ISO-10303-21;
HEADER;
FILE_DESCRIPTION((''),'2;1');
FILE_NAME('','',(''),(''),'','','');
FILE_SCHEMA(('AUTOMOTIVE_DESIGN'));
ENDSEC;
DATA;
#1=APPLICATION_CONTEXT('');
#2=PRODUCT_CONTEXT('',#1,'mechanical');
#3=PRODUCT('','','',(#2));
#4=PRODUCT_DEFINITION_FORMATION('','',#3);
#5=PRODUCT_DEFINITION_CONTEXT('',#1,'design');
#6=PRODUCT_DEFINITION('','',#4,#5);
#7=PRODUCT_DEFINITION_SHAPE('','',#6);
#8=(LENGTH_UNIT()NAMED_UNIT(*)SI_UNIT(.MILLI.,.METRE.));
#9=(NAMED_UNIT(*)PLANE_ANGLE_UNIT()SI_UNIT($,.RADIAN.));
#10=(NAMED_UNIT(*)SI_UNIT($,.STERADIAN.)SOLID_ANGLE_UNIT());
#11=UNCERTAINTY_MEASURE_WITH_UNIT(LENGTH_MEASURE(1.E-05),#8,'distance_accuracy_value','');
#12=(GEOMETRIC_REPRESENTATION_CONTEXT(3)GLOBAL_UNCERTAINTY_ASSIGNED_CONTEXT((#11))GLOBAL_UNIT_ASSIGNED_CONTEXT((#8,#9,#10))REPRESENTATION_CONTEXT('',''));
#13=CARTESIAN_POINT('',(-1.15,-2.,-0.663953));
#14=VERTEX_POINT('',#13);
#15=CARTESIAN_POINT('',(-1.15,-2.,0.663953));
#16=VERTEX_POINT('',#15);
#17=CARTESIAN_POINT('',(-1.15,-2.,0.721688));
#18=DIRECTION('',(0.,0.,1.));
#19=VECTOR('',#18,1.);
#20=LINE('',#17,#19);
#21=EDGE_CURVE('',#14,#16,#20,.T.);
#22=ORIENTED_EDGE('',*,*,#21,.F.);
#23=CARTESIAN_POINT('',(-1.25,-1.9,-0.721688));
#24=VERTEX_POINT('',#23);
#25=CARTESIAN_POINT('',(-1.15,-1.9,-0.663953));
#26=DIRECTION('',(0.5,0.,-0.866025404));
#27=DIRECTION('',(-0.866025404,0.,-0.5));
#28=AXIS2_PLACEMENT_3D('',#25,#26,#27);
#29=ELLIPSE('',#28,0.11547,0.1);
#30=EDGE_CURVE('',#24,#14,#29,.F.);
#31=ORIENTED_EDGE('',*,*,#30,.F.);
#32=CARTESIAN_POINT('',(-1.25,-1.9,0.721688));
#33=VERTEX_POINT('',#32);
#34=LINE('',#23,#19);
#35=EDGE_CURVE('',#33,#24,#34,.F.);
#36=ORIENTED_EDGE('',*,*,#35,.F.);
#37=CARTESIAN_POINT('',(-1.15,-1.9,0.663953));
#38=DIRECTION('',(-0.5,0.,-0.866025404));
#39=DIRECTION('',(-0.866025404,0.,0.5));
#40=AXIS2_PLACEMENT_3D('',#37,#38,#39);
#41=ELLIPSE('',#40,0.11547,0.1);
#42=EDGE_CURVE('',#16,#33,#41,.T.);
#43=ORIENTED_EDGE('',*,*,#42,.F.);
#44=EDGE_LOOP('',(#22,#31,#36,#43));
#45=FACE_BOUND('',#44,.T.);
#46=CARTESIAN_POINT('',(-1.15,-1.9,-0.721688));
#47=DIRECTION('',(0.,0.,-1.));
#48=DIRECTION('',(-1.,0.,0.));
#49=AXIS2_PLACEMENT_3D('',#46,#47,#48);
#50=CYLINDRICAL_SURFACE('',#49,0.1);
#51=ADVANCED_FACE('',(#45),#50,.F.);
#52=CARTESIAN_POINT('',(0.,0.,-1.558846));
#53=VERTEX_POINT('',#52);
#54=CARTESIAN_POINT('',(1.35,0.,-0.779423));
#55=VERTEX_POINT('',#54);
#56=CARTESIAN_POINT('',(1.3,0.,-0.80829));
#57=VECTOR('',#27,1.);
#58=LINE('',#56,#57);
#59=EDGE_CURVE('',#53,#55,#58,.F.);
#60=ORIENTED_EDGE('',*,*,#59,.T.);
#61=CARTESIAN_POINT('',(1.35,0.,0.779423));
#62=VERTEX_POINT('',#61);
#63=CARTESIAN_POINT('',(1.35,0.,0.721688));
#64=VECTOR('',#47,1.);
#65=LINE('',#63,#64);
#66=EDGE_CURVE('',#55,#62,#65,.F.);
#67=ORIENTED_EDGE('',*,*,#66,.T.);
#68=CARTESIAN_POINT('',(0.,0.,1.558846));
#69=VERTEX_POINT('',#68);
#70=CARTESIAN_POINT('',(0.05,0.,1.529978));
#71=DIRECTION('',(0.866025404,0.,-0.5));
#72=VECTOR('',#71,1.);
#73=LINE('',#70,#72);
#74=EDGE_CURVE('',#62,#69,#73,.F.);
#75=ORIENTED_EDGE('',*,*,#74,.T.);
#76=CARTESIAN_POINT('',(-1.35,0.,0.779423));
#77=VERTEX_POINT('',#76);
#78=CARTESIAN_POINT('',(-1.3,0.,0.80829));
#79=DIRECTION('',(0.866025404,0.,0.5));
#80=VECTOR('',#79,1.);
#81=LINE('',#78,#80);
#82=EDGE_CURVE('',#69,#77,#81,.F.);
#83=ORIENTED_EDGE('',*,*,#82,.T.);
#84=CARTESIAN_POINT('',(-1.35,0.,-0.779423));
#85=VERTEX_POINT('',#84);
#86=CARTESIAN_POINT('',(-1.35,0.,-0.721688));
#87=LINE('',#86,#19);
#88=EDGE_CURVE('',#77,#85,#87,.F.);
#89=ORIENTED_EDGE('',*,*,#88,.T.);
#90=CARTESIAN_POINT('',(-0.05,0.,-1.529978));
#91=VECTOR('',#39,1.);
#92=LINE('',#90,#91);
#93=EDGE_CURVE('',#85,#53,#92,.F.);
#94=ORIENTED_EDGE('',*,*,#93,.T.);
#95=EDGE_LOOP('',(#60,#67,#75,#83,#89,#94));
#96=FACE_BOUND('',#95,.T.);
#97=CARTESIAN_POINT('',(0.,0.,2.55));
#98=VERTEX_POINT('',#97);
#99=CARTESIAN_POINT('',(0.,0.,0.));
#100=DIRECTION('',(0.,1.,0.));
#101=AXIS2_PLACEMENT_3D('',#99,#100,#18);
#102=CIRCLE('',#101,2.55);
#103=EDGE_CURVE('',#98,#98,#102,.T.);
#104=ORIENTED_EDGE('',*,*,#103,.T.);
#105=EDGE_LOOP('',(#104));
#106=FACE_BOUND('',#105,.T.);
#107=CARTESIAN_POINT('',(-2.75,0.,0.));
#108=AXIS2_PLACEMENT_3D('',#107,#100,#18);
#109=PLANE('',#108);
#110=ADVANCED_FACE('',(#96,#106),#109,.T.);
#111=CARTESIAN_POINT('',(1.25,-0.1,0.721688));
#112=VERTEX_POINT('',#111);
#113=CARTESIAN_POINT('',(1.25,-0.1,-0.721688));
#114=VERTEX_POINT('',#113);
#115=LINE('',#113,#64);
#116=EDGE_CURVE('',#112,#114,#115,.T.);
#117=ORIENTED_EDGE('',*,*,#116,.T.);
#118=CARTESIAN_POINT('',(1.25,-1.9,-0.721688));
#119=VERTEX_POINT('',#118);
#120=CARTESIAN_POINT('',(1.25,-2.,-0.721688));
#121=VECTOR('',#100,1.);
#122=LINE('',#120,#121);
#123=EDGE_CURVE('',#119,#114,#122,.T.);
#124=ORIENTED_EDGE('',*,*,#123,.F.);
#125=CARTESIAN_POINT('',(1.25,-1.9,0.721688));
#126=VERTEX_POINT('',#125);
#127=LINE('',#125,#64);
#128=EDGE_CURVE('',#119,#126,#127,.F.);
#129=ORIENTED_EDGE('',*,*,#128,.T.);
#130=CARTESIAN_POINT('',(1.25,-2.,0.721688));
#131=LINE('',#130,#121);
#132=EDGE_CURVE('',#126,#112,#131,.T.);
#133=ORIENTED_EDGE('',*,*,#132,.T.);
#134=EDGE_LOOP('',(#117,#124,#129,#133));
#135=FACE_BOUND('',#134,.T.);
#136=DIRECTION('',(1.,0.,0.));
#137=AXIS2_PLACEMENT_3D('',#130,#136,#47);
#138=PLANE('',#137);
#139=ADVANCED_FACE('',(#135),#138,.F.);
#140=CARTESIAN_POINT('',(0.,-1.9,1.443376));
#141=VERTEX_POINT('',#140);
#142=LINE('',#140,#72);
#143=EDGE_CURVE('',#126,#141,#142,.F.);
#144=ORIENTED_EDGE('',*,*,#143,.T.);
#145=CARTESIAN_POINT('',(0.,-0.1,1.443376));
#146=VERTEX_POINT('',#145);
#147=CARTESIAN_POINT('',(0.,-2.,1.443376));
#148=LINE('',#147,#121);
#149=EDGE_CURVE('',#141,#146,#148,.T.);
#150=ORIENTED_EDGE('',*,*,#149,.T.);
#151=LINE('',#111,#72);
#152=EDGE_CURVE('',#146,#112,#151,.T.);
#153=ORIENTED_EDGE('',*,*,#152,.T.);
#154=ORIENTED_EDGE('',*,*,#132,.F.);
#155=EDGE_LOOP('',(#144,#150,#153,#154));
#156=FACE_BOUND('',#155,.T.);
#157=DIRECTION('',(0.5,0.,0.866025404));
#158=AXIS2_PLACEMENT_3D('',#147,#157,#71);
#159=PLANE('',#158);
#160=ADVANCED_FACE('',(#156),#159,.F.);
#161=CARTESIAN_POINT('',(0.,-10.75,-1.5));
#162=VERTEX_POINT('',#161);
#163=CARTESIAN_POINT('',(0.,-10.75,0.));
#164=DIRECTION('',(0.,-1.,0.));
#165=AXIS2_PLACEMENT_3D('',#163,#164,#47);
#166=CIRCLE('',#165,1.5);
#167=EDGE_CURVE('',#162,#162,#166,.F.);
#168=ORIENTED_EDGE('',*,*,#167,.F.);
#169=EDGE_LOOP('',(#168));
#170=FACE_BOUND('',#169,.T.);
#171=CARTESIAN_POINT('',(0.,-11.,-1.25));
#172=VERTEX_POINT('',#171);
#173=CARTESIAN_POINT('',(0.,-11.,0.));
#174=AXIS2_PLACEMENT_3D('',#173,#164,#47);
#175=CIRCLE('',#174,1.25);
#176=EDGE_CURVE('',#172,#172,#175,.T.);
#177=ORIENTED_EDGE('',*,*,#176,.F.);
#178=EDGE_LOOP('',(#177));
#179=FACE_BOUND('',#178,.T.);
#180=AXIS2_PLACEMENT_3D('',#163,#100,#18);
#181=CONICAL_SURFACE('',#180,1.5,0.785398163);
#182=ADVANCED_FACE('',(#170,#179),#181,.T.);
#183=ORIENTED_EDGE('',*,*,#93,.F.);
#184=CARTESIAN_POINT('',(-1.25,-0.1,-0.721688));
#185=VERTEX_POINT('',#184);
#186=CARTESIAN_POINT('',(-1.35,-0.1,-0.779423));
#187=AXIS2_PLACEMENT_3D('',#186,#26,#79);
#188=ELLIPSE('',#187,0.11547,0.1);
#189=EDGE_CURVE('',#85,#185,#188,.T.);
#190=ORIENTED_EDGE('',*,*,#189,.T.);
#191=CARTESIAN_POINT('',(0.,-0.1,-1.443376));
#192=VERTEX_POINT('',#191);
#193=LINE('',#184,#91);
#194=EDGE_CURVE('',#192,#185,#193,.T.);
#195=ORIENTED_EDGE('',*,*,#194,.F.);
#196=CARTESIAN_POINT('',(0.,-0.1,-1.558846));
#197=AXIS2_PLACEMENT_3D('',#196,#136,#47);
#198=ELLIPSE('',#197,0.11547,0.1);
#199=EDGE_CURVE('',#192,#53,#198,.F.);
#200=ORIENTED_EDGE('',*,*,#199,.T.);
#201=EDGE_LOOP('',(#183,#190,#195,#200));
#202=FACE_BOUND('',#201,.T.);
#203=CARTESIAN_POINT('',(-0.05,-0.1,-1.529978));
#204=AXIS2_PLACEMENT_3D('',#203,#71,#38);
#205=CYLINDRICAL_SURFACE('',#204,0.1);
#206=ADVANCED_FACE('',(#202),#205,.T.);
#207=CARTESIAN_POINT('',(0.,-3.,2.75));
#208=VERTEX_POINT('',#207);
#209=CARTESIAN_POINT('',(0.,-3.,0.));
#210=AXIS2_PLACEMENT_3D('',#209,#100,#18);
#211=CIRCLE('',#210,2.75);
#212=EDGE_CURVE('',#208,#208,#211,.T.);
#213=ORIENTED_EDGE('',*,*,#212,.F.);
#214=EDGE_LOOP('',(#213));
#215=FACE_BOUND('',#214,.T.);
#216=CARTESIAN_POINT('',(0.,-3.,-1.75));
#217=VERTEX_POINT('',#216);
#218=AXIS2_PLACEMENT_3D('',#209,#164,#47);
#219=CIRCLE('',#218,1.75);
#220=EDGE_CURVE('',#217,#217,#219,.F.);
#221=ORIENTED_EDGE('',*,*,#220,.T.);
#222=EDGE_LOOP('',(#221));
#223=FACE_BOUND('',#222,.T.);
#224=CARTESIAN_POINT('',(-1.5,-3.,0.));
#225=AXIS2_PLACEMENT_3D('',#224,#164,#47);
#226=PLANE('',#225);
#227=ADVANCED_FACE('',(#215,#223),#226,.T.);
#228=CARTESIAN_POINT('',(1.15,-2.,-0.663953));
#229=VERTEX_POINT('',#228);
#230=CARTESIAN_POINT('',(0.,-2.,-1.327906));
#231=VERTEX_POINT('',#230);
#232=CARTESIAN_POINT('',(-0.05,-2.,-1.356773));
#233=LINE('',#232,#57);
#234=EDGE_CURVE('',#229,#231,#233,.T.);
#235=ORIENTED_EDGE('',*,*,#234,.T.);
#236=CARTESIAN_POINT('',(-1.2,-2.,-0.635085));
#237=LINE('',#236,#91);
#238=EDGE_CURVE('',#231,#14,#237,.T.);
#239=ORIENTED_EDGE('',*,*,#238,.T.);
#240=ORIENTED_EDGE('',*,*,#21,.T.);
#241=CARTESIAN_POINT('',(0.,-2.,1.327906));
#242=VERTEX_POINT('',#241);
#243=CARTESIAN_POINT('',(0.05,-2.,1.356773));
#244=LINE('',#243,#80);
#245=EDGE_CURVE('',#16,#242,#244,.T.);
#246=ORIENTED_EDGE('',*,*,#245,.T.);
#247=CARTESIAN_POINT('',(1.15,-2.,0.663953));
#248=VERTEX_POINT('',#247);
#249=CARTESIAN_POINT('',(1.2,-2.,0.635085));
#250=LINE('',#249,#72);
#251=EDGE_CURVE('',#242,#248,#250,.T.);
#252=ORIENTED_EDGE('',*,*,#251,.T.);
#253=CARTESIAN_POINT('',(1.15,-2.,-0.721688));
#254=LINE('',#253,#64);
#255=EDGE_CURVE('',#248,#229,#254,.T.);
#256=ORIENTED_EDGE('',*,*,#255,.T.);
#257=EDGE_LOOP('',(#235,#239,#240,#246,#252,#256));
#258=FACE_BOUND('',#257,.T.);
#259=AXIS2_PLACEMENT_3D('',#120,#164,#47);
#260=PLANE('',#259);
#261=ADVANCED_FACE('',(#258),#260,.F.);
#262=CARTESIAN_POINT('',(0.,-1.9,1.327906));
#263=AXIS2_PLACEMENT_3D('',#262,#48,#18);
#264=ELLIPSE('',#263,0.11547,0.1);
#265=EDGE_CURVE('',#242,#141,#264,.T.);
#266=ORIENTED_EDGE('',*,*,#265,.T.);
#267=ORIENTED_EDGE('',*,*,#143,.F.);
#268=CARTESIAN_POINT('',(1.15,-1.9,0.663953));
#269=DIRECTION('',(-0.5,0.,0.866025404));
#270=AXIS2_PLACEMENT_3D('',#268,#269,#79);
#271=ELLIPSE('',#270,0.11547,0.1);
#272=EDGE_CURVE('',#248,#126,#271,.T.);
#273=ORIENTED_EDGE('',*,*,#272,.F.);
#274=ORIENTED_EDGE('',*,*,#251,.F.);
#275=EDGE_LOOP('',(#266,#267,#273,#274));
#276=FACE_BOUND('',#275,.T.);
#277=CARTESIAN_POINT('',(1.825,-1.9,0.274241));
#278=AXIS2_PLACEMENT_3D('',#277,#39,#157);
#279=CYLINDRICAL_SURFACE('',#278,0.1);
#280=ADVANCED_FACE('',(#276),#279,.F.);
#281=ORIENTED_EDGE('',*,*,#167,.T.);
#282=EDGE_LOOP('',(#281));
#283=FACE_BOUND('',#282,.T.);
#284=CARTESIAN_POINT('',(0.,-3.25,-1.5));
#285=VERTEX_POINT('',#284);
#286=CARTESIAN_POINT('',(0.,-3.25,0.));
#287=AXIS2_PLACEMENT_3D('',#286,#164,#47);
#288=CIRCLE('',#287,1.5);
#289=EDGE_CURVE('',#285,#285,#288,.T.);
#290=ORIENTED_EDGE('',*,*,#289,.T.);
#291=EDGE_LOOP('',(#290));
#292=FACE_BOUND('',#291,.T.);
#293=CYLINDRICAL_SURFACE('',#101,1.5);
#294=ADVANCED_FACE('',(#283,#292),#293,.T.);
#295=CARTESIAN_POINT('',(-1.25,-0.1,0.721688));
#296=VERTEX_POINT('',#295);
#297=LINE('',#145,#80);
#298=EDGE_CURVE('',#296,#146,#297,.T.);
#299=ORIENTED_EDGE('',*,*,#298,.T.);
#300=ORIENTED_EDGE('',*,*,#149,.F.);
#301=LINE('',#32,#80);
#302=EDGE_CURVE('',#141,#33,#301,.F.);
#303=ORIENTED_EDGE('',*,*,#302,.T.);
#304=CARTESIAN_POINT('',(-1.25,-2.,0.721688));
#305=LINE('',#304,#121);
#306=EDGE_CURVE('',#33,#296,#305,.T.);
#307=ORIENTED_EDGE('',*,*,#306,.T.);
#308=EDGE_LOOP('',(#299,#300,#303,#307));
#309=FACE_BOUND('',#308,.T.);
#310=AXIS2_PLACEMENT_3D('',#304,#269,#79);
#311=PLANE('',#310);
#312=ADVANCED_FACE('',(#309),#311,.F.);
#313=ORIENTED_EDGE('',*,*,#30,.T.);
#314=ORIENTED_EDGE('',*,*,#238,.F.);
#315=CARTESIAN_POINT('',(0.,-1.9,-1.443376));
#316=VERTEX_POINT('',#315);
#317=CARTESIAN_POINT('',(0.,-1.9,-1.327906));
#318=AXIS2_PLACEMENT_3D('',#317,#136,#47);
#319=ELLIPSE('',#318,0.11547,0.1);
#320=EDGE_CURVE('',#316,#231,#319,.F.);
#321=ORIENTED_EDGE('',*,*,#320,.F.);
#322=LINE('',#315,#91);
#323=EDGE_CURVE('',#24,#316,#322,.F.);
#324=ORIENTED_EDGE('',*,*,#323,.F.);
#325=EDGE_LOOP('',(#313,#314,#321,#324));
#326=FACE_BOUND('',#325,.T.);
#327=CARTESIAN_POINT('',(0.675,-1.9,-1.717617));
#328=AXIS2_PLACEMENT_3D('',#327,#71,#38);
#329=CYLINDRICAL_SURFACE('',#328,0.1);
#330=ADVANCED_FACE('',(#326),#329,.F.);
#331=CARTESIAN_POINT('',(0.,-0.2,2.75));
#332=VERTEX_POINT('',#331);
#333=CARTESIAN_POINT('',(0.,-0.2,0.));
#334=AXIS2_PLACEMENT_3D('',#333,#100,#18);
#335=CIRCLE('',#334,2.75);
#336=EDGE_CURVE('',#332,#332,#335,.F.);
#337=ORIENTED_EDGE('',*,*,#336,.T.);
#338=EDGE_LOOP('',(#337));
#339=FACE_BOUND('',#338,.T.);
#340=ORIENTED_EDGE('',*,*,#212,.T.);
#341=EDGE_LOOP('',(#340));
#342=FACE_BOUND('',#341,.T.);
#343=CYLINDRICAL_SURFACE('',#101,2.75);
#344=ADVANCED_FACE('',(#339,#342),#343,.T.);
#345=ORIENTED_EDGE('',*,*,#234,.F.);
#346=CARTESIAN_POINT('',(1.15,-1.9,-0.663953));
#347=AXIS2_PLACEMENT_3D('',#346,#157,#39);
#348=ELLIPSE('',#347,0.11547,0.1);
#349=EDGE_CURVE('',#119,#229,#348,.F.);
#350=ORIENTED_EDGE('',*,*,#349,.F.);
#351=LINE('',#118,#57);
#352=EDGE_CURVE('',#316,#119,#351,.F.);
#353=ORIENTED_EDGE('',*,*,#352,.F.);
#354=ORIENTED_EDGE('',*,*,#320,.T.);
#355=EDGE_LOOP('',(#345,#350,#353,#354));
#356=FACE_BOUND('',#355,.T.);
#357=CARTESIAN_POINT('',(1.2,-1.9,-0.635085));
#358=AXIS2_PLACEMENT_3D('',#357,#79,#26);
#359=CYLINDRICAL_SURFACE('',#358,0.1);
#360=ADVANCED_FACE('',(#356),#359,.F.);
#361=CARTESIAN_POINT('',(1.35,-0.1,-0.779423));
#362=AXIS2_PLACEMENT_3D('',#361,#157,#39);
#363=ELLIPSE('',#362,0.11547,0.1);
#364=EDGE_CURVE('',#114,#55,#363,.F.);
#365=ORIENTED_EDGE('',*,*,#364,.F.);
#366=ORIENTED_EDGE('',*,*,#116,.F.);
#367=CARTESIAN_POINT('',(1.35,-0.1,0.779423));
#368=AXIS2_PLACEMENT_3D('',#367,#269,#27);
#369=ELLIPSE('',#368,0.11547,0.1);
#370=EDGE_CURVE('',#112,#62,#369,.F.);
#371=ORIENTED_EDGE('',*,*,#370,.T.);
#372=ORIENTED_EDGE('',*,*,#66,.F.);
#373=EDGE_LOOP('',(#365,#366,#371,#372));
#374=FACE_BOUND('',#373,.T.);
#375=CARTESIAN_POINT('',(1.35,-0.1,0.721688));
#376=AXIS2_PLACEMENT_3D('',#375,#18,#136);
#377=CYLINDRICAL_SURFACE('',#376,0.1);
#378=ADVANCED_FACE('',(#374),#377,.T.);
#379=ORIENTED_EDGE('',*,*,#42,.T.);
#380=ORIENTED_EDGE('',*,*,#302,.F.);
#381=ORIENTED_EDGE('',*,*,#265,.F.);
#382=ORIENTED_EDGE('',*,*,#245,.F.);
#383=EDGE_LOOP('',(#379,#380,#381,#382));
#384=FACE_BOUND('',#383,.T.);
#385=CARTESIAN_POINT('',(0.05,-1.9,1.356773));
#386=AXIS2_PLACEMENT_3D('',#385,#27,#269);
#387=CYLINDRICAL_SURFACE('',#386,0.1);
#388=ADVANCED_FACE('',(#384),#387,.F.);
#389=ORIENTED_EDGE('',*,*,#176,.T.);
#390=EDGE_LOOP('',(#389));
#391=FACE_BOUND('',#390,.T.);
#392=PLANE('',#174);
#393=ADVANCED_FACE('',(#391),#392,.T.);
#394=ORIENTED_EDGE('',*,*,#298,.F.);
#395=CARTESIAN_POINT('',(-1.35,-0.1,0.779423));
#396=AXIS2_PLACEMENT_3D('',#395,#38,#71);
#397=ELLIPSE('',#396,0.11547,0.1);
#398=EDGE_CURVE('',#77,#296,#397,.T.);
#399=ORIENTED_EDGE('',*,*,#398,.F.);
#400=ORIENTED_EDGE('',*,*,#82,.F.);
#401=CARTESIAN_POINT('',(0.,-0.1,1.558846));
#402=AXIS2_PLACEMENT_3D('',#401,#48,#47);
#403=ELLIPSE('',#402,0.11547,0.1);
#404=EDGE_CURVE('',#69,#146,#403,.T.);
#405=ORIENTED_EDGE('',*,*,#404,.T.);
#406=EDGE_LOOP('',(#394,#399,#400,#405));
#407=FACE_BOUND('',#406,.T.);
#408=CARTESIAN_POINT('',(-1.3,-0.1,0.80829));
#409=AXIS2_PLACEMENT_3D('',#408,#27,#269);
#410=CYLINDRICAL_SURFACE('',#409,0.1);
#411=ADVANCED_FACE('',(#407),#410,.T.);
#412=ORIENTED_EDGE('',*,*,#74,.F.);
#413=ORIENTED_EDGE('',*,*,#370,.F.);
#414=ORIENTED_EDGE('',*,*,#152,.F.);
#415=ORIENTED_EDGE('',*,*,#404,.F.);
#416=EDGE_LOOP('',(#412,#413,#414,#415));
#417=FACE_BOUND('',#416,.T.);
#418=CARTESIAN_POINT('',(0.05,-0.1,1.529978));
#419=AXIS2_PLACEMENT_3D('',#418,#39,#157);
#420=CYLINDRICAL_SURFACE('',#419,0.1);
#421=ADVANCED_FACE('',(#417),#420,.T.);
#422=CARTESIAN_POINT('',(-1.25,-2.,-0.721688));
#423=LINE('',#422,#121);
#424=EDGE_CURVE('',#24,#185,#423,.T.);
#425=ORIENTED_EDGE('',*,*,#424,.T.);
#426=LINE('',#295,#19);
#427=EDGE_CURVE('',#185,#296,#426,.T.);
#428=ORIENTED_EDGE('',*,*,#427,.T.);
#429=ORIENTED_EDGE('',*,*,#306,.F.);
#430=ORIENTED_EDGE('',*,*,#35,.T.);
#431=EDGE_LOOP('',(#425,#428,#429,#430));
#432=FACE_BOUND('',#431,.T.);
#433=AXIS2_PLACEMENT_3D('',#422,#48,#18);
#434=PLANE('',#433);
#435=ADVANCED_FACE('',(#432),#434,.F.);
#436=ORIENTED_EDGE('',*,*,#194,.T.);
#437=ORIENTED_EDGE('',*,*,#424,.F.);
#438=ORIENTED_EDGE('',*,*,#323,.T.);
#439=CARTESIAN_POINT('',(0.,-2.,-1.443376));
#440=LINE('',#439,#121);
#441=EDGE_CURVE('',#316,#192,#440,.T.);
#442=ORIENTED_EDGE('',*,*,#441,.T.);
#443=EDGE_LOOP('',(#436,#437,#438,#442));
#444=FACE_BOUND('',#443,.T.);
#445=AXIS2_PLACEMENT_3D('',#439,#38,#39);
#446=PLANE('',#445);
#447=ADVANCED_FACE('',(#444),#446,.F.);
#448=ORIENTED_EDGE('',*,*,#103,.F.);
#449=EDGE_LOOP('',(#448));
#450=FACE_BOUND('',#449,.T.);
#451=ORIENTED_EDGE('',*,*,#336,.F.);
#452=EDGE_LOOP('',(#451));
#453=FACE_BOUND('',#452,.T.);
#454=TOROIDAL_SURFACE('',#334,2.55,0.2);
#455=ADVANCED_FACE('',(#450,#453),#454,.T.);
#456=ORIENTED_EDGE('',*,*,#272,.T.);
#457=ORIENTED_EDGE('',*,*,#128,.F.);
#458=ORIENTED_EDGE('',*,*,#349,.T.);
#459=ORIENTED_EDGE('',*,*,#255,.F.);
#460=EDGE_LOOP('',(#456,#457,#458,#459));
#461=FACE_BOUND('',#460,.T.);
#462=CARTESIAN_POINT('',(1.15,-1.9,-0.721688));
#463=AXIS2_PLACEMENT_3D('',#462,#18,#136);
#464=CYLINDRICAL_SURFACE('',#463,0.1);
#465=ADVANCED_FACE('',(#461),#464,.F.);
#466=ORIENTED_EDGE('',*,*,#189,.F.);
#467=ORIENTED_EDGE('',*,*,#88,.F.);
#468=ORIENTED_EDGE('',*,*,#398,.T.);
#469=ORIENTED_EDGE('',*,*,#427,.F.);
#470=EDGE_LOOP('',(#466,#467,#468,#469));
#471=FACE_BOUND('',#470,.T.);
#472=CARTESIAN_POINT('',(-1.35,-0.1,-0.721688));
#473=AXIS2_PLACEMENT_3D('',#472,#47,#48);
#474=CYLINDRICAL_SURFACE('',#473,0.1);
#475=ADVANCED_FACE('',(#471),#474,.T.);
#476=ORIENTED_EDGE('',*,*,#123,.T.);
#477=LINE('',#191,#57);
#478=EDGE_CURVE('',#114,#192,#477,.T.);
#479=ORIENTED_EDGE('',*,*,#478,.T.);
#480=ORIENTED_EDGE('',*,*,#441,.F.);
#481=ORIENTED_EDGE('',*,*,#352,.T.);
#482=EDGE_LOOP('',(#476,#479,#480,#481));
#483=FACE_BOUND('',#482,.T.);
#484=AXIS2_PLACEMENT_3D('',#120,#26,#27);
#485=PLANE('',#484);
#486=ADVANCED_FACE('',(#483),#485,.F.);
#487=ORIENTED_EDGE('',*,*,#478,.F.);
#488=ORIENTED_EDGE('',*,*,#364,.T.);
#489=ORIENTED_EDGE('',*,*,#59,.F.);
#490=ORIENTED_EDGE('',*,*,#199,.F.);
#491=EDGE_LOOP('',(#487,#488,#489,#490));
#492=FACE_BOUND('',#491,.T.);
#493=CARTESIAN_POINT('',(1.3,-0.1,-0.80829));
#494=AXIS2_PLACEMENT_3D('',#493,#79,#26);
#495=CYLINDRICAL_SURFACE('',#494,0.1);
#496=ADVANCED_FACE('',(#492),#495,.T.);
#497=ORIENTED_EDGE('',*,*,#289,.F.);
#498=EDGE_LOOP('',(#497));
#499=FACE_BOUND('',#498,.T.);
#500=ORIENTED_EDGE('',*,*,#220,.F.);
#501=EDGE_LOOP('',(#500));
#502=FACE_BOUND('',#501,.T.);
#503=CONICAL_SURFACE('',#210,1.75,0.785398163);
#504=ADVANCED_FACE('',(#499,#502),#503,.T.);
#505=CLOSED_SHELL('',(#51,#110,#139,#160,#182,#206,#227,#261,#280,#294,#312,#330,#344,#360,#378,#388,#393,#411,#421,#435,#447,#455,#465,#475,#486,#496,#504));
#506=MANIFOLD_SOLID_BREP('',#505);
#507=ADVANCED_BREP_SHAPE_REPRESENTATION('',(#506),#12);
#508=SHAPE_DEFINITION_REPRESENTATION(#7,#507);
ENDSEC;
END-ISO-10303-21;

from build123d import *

# Parameters (mm, degrees)
CHAMFER1_SIZE      = 0.25
FILLET1_R          = 0.2
CUT_EXTRUDE1_DEPTH = 2
FILLET2_R          = 0.1


with BuildPart() as part:
    # Sketch1 → Revolve1 (revolve)
    with BuildSketch(Plane.XY):
        Polygon((0, -11), (-1.5, -11), (-1.5, -3), (-2.75, -3), (-2.75, 0), (0, 0), align=None)
    revolve(axis=Axis((0, 0, 0), (0, -1, 0)))

    # Chamfer1
    chamfer1_edges = [part.edges().sort_by_distance(p)[0] for p in [
        (1.5, -3, 0),
        (1.5, -11, 0),
    ]]
    chamfer(chamfer1_edges, length=CHAMFER1_SIZE)

    # Fillet1
    fillet1_edges = [part.edges().sort_by_distance(p)[0] for p in [
        (2.75, 0, 0),
    ]]
    fillet(fillet1_edges, radius=FILLET1_R)

    # Sketch2 → Cut-Extrude1 (cut)
    with BuildSketch(Plane(origin=(0, 0, 0), x_dir=(1, 0, 0), z_dir=(0, 1, 0))):
        Polygon((0, 1.443375673), (-1.25, 0.721687836), (-1.25, -0.721687836), (0, -1.443375673), (1.25, -0.721687836), (1.25, 0.721687836), align=None)
    extrude(amount=-CUT_EXTRUDE1_DEPTH, mode=Mode.SUBTRACT)

    # Fillet2
    fillet2_edges = [part.edges().sort_by_distance(p)[0] for p in [
        (0.625, -2, -1.082531755),
        (1.25, -2, 0),
        (0.625, -2, 1.082531755),
        (-0.625, -2, 1.082531755),
        (-1.25, -2, 0),
        (-0.625, -2, -1.082531755),
        (0.625, 0, -1.082531755),
        (-0.625, 0, -1.082531755),
        (-1.25, 0, 0),
        (-0.625, 0, 1.082531755),
        (0.625, 0, 1.082531755),
        (1.25, 0, 0),
    ]]
    fillet(fillet2_edges, radius=FILLET2_R)


solid = part.part
